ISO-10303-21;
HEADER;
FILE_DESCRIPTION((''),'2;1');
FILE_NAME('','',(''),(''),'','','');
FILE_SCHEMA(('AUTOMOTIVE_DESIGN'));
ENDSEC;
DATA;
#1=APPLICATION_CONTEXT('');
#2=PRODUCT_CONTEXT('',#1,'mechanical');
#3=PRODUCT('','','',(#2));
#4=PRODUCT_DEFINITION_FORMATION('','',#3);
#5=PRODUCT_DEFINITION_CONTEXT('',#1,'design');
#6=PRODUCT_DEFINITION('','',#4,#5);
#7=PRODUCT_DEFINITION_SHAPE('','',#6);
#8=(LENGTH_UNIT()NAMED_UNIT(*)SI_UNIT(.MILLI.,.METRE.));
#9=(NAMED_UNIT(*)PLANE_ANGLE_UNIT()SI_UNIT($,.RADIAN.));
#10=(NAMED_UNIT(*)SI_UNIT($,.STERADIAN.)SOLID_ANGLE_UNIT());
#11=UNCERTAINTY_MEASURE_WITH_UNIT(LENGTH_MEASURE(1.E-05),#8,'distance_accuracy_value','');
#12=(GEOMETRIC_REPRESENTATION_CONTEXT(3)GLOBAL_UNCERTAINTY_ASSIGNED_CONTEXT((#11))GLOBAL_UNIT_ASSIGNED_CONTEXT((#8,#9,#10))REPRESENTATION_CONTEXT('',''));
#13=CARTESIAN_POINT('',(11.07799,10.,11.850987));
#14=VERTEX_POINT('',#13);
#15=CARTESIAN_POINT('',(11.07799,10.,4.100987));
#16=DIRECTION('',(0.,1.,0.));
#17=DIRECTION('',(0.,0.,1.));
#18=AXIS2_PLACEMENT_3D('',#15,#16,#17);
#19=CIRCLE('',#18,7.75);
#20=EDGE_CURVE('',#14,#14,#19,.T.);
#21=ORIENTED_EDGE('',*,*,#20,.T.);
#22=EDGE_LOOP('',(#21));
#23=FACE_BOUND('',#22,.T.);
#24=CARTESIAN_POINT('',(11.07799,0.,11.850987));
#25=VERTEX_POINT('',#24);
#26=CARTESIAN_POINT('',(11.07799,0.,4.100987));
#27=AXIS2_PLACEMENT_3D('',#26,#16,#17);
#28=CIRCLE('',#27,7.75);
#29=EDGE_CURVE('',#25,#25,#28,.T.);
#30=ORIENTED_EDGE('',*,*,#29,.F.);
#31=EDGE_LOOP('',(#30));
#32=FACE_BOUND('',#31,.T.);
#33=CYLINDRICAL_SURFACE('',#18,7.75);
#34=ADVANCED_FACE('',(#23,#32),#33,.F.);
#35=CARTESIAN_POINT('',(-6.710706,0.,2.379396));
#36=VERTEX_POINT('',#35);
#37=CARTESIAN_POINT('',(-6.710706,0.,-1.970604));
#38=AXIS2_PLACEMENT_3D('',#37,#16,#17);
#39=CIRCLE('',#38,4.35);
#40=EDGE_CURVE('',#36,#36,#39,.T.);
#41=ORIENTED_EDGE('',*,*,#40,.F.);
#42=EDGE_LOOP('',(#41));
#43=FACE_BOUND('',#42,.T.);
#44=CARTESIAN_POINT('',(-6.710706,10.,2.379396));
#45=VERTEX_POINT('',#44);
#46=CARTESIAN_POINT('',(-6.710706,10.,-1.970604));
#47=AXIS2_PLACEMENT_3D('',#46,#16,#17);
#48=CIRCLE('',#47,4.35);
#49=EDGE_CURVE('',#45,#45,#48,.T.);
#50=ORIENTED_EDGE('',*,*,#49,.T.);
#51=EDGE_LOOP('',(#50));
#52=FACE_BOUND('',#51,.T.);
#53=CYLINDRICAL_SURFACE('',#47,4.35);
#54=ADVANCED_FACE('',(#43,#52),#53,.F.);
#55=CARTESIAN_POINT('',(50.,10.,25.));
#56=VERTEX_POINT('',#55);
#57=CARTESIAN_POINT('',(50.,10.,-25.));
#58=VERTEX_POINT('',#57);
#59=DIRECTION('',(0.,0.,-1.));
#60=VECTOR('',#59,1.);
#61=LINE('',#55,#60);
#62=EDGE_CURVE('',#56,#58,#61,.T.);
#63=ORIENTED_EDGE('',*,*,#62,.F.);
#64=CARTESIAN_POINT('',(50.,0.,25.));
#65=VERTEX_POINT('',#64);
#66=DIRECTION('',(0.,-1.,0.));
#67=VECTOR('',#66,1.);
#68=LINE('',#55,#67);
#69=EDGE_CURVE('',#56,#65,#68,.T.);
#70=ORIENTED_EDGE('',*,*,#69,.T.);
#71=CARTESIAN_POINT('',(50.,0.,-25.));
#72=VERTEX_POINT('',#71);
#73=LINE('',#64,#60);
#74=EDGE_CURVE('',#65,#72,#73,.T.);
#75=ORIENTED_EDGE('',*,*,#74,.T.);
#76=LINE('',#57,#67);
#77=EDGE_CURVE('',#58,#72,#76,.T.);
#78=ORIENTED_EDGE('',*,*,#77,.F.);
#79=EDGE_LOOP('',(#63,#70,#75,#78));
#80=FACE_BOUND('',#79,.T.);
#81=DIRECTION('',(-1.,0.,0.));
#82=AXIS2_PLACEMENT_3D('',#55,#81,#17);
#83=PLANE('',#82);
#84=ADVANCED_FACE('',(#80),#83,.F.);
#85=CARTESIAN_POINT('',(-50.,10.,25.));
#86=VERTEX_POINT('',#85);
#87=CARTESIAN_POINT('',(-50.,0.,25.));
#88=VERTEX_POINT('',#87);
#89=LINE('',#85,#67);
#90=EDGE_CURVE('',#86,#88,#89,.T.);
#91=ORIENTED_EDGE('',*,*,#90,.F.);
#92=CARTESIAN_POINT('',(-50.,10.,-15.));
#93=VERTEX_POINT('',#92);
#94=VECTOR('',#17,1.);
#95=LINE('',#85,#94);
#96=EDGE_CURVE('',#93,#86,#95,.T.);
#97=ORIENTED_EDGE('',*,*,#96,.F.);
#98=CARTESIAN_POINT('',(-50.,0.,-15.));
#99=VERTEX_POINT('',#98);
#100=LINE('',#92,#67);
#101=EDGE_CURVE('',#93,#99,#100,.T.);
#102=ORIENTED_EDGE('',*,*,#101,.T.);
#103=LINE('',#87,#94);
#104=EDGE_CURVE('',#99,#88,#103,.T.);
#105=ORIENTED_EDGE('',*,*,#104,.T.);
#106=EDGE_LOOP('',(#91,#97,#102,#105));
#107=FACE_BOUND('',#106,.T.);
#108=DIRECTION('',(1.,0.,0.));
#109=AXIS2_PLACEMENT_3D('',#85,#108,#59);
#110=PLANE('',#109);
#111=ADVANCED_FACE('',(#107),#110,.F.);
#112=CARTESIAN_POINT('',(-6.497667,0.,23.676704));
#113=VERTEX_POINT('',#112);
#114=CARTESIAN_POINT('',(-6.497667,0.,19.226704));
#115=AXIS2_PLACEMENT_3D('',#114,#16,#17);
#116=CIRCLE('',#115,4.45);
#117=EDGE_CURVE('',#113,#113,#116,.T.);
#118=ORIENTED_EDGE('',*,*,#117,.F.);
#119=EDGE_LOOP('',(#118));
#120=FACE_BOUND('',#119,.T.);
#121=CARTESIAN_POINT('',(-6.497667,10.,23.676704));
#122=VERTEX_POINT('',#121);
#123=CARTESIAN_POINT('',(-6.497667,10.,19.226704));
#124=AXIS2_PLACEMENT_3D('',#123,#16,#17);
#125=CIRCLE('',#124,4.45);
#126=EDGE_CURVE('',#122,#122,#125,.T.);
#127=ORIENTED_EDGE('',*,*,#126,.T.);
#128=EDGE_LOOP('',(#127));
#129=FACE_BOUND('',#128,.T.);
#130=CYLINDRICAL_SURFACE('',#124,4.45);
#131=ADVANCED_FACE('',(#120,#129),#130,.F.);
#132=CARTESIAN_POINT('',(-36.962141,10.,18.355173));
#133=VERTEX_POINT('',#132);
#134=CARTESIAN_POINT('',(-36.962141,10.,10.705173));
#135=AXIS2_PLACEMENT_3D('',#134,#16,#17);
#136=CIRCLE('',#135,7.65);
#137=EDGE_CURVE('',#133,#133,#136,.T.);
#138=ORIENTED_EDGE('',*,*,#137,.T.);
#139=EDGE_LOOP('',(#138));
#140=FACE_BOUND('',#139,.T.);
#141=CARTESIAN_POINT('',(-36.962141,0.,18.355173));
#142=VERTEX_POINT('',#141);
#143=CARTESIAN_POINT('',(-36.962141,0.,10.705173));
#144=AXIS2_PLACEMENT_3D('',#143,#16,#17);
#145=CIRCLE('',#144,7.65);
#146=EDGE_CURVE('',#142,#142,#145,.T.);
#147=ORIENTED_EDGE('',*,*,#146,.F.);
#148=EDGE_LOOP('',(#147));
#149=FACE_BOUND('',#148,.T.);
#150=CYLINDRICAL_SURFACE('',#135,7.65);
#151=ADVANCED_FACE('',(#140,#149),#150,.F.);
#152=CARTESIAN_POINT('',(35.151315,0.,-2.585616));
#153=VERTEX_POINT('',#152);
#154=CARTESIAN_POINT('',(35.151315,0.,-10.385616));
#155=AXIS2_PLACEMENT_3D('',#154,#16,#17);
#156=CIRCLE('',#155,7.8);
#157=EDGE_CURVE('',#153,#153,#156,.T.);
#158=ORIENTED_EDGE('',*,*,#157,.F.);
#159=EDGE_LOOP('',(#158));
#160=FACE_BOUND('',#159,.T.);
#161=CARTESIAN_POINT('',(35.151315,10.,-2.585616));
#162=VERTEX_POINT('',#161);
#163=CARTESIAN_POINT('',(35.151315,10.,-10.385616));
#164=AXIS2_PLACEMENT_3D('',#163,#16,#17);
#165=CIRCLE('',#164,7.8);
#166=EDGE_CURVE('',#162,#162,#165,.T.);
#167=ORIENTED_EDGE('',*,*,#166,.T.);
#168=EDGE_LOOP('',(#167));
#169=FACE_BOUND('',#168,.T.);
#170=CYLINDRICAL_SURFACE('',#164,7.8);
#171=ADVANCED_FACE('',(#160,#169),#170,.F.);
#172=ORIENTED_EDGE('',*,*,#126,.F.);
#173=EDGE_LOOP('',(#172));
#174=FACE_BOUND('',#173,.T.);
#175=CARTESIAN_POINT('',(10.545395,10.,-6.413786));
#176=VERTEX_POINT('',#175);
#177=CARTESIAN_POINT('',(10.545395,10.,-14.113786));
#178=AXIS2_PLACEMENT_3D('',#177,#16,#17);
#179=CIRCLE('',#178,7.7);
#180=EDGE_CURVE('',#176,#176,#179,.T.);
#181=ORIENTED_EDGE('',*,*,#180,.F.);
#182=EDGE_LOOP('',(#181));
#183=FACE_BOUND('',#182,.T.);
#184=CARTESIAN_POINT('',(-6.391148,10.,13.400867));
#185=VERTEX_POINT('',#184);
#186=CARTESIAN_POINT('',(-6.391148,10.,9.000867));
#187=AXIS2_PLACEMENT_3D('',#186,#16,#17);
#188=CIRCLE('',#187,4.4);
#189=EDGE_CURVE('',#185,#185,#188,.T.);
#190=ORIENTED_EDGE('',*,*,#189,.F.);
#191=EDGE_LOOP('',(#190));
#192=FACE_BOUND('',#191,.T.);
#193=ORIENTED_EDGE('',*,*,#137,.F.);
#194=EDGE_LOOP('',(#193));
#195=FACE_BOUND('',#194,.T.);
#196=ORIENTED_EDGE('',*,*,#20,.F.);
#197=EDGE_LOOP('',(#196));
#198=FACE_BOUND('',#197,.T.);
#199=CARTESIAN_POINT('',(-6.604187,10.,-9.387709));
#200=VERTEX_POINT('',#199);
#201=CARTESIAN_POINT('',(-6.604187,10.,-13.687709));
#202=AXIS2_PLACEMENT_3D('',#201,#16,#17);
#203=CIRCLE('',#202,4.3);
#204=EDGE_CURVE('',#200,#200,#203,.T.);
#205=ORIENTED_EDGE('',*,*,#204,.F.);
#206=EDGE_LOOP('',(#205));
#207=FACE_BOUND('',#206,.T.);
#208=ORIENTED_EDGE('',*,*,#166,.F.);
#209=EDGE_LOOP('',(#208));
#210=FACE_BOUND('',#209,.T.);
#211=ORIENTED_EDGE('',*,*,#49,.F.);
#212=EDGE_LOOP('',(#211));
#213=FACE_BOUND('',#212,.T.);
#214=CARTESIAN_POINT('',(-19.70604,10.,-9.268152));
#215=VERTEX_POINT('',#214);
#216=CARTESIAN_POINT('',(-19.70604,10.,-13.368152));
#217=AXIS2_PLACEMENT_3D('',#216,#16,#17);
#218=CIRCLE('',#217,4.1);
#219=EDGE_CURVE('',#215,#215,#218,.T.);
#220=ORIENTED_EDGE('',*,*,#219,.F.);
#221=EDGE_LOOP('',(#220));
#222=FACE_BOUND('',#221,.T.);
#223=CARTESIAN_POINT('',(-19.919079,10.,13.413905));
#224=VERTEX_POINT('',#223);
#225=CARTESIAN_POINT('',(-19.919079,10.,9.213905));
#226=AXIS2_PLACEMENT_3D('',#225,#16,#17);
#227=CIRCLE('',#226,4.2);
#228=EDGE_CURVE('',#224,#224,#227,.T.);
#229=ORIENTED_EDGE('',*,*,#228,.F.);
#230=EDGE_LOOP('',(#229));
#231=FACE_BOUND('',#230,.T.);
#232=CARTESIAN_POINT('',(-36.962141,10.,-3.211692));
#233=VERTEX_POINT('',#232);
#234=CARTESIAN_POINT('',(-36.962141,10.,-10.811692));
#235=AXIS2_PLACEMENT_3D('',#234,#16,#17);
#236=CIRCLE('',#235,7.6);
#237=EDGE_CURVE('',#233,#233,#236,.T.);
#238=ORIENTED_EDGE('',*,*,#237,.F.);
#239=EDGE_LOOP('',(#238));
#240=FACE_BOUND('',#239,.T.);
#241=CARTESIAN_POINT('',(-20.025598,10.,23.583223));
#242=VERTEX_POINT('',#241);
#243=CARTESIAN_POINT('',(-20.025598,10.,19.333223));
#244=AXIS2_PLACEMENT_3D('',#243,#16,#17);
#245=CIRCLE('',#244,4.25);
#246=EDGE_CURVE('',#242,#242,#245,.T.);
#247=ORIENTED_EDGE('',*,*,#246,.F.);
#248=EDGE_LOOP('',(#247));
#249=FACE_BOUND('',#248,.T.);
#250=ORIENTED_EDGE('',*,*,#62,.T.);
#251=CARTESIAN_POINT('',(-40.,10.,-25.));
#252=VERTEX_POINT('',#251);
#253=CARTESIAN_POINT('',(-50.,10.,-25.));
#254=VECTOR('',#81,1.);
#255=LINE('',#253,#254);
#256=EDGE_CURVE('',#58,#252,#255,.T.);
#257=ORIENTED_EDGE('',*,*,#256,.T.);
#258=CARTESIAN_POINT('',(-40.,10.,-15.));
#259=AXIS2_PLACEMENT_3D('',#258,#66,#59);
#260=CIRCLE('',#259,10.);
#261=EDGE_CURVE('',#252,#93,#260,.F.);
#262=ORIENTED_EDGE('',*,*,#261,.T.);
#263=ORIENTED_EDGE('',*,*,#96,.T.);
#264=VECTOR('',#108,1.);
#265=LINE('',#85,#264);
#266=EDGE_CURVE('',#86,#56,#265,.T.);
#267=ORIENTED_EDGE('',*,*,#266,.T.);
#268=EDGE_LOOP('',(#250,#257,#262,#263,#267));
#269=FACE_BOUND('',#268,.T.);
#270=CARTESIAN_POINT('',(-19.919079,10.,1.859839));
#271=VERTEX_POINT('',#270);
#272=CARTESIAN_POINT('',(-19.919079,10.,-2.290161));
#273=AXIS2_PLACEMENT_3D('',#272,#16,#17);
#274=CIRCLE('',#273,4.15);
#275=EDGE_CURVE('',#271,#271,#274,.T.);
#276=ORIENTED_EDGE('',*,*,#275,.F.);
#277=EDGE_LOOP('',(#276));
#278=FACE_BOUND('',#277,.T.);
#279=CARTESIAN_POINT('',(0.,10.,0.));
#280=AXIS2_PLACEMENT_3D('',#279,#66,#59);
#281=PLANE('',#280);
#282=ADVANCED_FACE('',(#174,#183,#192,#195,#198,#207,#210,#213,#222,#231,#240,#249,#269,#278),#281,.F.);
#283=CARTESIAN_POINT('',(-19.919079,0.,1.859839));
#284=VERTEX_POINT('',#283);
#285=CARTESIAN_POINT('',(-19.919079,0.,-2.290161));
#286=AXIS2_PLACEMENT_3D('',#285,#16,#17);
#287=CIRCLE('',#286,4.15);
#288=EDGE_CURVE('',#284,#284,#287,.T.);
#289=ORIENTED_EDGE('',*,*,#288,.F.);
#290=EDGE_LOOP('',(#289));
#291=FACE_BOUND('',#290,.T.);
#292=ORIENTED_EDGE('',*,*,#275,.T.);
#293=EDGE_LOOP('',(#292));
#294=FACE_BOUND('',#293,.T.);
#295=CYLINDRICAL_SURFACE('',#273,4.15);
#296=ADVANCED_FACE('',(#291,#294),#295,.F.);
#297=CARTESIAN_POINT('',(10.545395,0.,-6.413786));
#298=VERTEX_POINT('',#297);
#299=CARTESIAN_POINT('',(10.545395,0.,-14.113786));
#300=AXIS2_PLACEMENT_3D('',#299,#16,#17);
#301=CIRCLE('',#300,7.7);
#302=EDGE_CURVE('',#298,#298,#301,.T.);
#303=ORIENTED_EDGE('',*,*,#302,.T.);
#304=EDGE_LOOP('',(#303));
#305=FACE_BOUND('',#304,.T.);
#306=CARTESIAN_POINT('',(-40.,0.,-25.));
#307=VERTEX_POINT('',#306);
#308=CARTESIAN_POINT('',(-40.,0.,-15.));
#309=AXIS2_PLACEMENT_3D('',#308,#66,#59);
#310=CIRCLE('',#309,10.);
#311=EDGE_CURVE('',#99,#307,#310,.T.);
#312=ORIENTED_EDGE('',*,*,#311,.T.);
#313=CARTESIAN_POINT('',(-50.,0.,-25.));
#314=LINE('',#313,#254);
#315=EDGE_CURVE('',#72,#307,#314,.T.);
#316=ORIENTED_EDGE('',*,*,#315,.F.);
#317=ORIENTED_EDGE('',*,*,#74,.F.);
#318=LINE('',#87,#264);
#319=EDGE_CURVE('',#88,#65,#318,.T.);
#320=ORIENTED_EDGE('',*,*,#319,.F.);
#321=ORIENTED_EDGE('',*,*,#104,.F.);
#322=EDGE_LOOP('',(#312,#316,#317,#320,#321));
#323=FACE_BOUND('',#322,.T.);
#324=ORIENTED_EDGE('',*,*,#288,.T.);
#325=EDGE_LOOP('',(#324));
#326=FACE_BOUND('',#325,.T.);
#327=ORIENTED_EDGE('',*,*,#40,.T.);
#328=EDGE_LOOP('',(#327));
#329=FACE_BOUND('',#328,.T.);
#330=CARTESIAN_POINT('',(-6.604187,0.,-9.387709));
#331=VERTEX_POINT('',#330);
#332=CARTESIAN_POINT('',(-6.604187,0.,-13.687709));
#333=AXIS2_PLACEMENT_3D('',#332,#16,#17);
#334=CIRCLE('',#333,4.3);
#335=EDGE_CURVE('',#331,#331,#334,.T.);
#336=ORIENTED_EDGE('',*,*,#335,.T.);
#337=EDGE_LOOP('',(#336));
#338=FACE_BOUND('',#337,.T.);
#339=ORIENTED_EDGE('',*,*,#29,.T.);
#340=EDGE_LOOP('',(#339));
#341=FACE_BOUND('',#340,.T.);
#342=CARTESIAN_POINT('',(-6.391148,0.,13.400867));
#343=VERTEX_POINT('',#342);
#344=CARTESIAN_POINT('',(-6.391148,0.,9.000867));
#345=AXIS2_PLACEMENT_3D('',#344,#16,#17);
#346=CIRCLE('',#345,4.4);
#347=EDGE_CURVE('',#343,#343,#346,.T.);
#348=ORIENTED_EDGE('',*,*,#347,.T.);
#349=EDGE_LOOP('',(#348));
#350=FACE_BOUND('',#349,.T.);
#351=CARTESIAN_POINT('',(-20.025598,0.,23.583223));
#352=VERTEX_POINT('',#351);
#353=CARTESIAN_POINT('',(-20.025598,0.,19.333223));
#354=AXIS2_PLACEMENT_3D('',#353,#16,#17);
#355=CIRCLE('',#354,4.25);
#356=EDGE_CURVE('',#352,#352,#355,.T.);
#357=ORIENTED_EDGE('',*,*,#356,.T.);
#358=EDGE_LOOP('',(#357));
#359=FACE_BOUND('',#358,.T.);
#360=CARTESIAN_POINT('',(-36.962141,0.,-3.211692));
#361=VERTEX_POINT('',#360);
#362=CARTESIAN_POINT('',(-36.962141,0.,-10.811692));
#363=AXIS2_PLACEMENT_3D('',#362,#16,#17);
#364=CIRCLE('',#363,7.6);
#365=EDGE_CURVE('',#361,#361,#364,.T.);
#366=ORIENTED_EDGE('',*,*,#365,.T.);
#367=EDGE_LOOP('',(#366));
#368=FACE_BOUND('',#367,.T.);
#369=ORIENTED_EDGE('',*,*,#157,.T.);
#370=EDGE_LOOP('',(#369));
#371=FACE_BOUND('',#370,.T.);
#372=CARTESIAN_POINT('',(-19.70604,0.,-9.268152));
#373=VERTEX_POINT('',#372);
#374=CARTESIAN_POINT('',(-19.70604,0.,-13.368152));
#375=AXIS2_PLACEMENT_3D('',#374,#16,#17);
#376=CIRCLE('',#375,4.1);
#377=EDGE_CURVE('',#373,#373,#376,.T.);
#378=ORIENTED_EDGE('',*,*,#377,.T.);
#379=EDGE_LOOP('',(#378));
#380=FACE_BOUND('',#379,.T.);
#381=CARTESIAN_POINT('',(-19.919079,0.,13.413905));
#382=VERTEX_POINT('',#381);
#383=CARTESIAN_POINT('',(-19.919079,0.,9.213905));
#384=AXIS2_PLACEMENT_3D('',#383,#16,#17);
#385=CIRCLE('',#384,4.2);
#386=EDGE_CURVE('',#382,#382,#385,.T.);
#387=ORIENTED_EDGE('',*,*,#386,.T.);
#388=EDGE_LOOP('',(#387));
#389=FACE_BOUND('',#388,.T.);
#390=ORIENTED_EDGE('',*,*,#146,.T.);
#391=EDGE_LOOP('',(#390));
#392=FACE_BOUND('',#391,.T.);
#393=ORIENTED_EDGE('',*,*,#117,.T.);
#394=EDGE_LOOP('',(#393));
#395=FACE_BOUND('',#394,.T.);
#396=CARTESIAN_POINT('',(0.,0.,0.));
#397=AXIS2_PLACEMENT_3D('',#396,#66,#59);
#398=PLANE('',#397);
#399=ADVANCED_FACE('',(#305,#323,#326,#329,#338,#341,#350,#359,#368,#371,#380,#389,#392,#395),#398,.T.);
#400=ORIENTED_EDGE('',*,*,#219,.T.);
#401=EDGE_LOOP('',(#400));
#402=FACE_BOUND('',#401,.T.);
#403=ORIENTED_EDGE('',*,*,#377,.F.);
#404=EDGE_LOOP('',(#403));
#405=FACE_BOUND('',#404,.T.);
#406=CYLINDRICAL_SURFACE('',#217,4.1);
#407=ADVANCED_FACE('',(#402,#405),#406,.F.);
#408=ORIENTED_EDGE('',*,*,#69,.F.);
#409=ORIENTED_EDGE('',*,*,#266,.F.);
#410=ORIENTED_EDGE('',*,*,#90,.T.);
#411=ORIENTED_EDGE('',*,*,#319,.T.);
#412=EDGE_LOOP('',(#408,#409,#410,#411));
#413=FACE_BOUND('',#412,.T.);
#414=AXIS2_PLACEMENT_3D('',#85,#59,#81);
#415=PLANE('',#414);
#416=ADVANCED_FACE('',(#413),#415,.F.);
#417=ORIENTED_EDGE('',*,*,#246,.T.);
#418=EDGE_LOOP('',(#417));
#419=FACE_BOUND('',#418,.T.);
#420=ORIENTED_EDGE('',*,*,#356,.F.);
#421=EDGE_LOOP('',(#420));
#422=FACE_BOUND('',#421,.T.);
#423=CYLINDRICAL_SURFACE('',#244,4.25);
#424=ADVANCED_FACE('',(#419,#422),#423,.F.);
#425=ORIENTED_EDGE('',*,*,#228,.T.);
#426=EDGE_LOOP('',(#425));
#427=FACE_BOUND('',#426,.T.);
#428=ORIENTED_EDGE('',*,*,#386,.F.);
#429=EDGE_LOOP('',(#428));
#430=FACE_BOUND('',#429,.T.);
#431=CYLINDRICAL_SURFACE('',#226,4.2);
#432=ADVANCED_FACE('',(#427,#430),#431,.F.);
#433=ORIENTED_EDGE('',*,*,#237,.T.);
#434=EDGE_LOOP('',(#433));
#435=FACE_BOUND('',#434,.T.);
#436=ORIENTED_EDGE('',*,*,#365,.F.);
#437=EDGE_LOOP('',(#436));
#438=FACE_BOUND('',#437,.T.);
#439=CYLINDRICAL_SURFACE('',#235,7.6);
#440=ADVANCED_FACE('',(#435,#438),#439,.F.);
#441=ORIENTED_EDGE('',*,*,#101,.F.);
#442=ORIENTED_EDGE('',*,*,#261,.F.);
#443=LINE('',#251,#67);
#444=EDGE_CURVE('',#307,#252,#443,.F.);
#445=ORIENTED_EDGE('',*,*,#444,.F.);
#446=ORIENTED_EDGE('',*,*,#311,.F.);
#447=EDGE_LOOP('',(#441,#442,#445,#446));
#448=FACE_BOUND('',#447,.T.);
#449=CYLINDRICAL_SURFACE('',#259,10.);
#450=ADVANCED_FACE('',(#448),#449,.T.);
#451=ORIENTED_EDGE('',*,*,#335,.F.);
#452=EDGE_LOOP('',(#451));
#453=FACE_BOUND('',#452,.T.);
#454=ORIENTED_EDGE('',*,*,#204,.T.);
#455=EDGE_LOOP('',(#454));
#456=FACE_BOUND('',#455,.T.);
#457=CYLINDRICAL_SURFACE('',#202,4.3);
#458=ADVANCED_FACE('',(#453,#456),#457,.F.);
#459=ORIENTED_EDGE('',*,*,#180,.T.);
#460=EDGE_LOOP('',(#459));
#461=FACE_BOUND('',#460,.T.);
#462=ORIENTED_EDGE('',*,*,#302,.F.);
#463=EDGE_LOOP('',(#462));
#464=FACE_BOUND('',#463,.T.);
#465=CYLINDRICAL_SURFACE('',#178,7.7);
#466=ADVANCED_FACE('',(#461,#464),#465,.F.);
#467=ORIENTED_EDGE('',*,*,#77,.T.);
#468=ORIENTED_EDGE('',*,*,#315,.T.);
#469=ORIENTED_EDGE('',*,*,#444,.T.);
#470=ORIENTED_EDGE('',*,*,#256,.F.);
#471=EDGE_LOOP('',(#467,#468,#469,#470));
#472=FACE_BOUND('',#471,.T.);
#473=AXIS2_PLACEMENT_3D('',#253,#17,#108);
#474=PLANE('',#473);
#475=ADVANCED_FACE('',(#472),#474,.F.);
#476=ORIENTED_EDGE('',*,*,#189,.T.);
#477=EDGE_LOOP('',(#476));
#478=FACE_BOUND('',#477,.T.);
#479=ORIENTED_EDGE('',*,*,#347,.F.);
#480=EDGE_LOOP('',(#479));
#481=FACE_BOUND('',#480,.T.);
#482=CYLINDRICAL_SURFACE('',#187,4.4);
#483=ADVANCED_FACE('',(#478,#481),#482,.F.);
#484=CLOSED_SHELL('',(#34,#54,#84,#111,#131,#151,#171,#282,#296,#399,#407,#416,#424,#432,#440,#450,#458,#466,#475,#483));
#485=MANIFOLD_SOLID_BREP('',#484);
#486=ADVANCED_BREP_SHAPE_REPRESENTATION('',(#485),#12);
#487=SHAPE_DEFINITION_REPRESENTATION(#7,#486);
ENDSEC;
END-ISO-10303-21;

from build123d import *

# Parameters (mm, degrees)
SKETCH1_W              = 100
SKETCH1_H              = 50
BOSS_EXTRUDE1_DEPTH    = 10
FILLET1_R              = 10
F_1_0MM_DOWEL_HOLE1_D  = 15.2
F_1_0MM_DOWEL_HOLE2_D  = 15.3
F_1_0MM_DOWEL_HOLE3_D  = 8.2
F_1_0MM_DOWEL_HOLE4_D  = 8.3
F_1_0MM_DOWEL_HOLE5_D  = 8.4
F_1_0MM_DOWEL_HOLE6_D  = 8.5
F_1_0MM_DOWEL_HOLE7_D  = 8.6
F_1_0MM_DOWEL_HOLE8_D  = 8.7
F_1_0MM_DOWEL_HOLE9_D  = 8.8
F_1_0MM_DOWEL_HOLE10_D = 8.9
F_1_0MM_DOWEL_HOLE11_D = 15.4
F_1_0MM_DOWEL_HOLE12_D = 15.5
F_1_0MM_DOWEL_HOLE13_D = 15.6


with BuildPart() as part:
    # Sketch1 → Boss-Extrude1 (new body)
    with BuildSketch(Plane(origin=(0, 0, 0), x_dir=(1, 0, 0), z_dir=(0, 1, 0))):
        Rectangle(SKETCH1_W, SKETCH1_H)
    extrude(amount=BOSS_EXTRUDE1_DEPTH)

    # Fillet1
    fillet1_edges = [part.edges().sort_by_distance(p)[0] for p in [
        (-50, 5, -25),
    ]]
    fillet(fillet1_edges, radius=FILLET1_R)

    # Ø1.0mm Dowel Hole1 (through all)
    with Locations(Plane(origin=(0, 10, 0), x_dir=(1, 0, 0), z_dir=(0, 1, 0))):
        with Locations((-36.962140768, 10.811692473)):
            Hole(F_1_0MM_DOWEL_HOLE1_D / 2)

    # Ø1.0mm Dowel Hole2 (through all)
    with Locations(Plane(origin=(0, 10, 0), x_dir=(1, 0, 0), z_dir=(0, 1, 0))):
        with Locations((-36.962140768, -10.705173335)):
            Hole(F_1_0MM_DOWEL_HOLE2_D / 2)

    # Ø1.0mm Dowel Hole3 (through all)
    with Locations(Plane(origin=(0, 10, 0), x_dir=(1, 0, 0), z_dir=(0, 1, 0))):
        with Locations((-19.706040467, 13.368151776)):
            Hole(F_1_0MM_DOWEL_HOLE3_D / 2)

    # Ø1.0mm Dowel Hole4 (through all)
    with Locations(Plane(origin=(0, 10, 0), x_dir=(1, 0, 0), z_dir=(0, 1, 0))):
        with Locations((-19.919078743, 2.29016146)):
            Hole(F_1_0MM_DOWEL_HOLE4_D / 2)

    # Ø1.0mm Dowel Hole5 (through all)
    with Locations(Plane(origin=(0, 10, 0), x_dir=(1, 0, 0), z_dir=(0, 1, 0))):
        with Locations((-19.919078743, -9.213905408)):
            Hole(F_1_0MM_DOWEL_HOLE5_D / 2)

    # Ø1.0mm Dowel Hole6 (through all)
    with Locations(Plane(origin=(0, 10, 0), x_dir=(1, 0, 0), z_dir=(0, 1, 0))):
        with Locations((-20.02559788, -19.333223485)):
            Hole(F_1_0MM_DOWEL_HOLE6_D / 2)

    # Ø1.0mm Dowel Hole7 (through all)
    with Locations(Plane(origin=(0, 10, 0), x_dir=(1, 0, 0), z_dir=(0, 1, 0))):
        with Locations((-6.604186535, 13.687709189)):
            Hole(F_1_0MM_DOWEL_HOLE7_D / 2)

    # Ø1.0mm Dowel Hole8 (through all)
    with Locations(Plane(origin=(0, 10, 0), x_dir=(1, 0, 0), z_dir=(0, 1, 0))):
        with Locations((-6.710705673, 1.970604047)):
            Hole(F_1_0MM_DOWEL_HOLE8_D / 2)

    # Ø1.0mm Dowel Hole9 (through all)
    with Locations(Plane(origin=(0, 10, 0), x_dir=(1, 0, 0), z_dir=(0, 1, 0))):
        with Locations((-6.39114826, -9.000867132)):
            Hole(F_1_0MM_DOWEL_HOLE9_D / 2)

    # Ø1.0mm Dowel Hole10 (through all)
    with Locations(Plane(origin=(-6.497667397, 10, 19.226704348), x_dir=(0, 0, 1), z_dir=(0, 1, 0))):
        with Locations((0, 0)):
            Hole(F_1_0MM_DOWEL_HOLE10_D / 2)

    # Ø1.0mm Dowel Hole11 (through all)
    with Locations(Plane(origin=(0, 10, 0), x_dir=(1, 0, 0), z_dir=(0, 1, 0))):
        with Locations((10.545394628, 14.11378574)):
            Hole(F_1_0MM_DOWEL_HOLE11_D / 2)

    # Ø1.0mm Dowel Hole12 (through all)
    with Locations(Plane(origin=(0, 10, 0), x_dir=(1, 0, 0), z_dir=(0, 1, 0))):
        with Locations((11.077990317, -4.1009868)):
            Hole(F_1_0MM_DOWEL_HOLE12_D / 2)

    # Ø1.0mm Dowel Hole13 (through all)
    with Locations(Plane(origin=(0, 10, 0), x_dir=(1, 0, 0), z_dir=(0, 1, 0))):
        with Locations((35.151315428, 10.385615922)):
            Hole(F_1_0MM_DOWEL_HOLE13_D / 2)


solid = part.part
